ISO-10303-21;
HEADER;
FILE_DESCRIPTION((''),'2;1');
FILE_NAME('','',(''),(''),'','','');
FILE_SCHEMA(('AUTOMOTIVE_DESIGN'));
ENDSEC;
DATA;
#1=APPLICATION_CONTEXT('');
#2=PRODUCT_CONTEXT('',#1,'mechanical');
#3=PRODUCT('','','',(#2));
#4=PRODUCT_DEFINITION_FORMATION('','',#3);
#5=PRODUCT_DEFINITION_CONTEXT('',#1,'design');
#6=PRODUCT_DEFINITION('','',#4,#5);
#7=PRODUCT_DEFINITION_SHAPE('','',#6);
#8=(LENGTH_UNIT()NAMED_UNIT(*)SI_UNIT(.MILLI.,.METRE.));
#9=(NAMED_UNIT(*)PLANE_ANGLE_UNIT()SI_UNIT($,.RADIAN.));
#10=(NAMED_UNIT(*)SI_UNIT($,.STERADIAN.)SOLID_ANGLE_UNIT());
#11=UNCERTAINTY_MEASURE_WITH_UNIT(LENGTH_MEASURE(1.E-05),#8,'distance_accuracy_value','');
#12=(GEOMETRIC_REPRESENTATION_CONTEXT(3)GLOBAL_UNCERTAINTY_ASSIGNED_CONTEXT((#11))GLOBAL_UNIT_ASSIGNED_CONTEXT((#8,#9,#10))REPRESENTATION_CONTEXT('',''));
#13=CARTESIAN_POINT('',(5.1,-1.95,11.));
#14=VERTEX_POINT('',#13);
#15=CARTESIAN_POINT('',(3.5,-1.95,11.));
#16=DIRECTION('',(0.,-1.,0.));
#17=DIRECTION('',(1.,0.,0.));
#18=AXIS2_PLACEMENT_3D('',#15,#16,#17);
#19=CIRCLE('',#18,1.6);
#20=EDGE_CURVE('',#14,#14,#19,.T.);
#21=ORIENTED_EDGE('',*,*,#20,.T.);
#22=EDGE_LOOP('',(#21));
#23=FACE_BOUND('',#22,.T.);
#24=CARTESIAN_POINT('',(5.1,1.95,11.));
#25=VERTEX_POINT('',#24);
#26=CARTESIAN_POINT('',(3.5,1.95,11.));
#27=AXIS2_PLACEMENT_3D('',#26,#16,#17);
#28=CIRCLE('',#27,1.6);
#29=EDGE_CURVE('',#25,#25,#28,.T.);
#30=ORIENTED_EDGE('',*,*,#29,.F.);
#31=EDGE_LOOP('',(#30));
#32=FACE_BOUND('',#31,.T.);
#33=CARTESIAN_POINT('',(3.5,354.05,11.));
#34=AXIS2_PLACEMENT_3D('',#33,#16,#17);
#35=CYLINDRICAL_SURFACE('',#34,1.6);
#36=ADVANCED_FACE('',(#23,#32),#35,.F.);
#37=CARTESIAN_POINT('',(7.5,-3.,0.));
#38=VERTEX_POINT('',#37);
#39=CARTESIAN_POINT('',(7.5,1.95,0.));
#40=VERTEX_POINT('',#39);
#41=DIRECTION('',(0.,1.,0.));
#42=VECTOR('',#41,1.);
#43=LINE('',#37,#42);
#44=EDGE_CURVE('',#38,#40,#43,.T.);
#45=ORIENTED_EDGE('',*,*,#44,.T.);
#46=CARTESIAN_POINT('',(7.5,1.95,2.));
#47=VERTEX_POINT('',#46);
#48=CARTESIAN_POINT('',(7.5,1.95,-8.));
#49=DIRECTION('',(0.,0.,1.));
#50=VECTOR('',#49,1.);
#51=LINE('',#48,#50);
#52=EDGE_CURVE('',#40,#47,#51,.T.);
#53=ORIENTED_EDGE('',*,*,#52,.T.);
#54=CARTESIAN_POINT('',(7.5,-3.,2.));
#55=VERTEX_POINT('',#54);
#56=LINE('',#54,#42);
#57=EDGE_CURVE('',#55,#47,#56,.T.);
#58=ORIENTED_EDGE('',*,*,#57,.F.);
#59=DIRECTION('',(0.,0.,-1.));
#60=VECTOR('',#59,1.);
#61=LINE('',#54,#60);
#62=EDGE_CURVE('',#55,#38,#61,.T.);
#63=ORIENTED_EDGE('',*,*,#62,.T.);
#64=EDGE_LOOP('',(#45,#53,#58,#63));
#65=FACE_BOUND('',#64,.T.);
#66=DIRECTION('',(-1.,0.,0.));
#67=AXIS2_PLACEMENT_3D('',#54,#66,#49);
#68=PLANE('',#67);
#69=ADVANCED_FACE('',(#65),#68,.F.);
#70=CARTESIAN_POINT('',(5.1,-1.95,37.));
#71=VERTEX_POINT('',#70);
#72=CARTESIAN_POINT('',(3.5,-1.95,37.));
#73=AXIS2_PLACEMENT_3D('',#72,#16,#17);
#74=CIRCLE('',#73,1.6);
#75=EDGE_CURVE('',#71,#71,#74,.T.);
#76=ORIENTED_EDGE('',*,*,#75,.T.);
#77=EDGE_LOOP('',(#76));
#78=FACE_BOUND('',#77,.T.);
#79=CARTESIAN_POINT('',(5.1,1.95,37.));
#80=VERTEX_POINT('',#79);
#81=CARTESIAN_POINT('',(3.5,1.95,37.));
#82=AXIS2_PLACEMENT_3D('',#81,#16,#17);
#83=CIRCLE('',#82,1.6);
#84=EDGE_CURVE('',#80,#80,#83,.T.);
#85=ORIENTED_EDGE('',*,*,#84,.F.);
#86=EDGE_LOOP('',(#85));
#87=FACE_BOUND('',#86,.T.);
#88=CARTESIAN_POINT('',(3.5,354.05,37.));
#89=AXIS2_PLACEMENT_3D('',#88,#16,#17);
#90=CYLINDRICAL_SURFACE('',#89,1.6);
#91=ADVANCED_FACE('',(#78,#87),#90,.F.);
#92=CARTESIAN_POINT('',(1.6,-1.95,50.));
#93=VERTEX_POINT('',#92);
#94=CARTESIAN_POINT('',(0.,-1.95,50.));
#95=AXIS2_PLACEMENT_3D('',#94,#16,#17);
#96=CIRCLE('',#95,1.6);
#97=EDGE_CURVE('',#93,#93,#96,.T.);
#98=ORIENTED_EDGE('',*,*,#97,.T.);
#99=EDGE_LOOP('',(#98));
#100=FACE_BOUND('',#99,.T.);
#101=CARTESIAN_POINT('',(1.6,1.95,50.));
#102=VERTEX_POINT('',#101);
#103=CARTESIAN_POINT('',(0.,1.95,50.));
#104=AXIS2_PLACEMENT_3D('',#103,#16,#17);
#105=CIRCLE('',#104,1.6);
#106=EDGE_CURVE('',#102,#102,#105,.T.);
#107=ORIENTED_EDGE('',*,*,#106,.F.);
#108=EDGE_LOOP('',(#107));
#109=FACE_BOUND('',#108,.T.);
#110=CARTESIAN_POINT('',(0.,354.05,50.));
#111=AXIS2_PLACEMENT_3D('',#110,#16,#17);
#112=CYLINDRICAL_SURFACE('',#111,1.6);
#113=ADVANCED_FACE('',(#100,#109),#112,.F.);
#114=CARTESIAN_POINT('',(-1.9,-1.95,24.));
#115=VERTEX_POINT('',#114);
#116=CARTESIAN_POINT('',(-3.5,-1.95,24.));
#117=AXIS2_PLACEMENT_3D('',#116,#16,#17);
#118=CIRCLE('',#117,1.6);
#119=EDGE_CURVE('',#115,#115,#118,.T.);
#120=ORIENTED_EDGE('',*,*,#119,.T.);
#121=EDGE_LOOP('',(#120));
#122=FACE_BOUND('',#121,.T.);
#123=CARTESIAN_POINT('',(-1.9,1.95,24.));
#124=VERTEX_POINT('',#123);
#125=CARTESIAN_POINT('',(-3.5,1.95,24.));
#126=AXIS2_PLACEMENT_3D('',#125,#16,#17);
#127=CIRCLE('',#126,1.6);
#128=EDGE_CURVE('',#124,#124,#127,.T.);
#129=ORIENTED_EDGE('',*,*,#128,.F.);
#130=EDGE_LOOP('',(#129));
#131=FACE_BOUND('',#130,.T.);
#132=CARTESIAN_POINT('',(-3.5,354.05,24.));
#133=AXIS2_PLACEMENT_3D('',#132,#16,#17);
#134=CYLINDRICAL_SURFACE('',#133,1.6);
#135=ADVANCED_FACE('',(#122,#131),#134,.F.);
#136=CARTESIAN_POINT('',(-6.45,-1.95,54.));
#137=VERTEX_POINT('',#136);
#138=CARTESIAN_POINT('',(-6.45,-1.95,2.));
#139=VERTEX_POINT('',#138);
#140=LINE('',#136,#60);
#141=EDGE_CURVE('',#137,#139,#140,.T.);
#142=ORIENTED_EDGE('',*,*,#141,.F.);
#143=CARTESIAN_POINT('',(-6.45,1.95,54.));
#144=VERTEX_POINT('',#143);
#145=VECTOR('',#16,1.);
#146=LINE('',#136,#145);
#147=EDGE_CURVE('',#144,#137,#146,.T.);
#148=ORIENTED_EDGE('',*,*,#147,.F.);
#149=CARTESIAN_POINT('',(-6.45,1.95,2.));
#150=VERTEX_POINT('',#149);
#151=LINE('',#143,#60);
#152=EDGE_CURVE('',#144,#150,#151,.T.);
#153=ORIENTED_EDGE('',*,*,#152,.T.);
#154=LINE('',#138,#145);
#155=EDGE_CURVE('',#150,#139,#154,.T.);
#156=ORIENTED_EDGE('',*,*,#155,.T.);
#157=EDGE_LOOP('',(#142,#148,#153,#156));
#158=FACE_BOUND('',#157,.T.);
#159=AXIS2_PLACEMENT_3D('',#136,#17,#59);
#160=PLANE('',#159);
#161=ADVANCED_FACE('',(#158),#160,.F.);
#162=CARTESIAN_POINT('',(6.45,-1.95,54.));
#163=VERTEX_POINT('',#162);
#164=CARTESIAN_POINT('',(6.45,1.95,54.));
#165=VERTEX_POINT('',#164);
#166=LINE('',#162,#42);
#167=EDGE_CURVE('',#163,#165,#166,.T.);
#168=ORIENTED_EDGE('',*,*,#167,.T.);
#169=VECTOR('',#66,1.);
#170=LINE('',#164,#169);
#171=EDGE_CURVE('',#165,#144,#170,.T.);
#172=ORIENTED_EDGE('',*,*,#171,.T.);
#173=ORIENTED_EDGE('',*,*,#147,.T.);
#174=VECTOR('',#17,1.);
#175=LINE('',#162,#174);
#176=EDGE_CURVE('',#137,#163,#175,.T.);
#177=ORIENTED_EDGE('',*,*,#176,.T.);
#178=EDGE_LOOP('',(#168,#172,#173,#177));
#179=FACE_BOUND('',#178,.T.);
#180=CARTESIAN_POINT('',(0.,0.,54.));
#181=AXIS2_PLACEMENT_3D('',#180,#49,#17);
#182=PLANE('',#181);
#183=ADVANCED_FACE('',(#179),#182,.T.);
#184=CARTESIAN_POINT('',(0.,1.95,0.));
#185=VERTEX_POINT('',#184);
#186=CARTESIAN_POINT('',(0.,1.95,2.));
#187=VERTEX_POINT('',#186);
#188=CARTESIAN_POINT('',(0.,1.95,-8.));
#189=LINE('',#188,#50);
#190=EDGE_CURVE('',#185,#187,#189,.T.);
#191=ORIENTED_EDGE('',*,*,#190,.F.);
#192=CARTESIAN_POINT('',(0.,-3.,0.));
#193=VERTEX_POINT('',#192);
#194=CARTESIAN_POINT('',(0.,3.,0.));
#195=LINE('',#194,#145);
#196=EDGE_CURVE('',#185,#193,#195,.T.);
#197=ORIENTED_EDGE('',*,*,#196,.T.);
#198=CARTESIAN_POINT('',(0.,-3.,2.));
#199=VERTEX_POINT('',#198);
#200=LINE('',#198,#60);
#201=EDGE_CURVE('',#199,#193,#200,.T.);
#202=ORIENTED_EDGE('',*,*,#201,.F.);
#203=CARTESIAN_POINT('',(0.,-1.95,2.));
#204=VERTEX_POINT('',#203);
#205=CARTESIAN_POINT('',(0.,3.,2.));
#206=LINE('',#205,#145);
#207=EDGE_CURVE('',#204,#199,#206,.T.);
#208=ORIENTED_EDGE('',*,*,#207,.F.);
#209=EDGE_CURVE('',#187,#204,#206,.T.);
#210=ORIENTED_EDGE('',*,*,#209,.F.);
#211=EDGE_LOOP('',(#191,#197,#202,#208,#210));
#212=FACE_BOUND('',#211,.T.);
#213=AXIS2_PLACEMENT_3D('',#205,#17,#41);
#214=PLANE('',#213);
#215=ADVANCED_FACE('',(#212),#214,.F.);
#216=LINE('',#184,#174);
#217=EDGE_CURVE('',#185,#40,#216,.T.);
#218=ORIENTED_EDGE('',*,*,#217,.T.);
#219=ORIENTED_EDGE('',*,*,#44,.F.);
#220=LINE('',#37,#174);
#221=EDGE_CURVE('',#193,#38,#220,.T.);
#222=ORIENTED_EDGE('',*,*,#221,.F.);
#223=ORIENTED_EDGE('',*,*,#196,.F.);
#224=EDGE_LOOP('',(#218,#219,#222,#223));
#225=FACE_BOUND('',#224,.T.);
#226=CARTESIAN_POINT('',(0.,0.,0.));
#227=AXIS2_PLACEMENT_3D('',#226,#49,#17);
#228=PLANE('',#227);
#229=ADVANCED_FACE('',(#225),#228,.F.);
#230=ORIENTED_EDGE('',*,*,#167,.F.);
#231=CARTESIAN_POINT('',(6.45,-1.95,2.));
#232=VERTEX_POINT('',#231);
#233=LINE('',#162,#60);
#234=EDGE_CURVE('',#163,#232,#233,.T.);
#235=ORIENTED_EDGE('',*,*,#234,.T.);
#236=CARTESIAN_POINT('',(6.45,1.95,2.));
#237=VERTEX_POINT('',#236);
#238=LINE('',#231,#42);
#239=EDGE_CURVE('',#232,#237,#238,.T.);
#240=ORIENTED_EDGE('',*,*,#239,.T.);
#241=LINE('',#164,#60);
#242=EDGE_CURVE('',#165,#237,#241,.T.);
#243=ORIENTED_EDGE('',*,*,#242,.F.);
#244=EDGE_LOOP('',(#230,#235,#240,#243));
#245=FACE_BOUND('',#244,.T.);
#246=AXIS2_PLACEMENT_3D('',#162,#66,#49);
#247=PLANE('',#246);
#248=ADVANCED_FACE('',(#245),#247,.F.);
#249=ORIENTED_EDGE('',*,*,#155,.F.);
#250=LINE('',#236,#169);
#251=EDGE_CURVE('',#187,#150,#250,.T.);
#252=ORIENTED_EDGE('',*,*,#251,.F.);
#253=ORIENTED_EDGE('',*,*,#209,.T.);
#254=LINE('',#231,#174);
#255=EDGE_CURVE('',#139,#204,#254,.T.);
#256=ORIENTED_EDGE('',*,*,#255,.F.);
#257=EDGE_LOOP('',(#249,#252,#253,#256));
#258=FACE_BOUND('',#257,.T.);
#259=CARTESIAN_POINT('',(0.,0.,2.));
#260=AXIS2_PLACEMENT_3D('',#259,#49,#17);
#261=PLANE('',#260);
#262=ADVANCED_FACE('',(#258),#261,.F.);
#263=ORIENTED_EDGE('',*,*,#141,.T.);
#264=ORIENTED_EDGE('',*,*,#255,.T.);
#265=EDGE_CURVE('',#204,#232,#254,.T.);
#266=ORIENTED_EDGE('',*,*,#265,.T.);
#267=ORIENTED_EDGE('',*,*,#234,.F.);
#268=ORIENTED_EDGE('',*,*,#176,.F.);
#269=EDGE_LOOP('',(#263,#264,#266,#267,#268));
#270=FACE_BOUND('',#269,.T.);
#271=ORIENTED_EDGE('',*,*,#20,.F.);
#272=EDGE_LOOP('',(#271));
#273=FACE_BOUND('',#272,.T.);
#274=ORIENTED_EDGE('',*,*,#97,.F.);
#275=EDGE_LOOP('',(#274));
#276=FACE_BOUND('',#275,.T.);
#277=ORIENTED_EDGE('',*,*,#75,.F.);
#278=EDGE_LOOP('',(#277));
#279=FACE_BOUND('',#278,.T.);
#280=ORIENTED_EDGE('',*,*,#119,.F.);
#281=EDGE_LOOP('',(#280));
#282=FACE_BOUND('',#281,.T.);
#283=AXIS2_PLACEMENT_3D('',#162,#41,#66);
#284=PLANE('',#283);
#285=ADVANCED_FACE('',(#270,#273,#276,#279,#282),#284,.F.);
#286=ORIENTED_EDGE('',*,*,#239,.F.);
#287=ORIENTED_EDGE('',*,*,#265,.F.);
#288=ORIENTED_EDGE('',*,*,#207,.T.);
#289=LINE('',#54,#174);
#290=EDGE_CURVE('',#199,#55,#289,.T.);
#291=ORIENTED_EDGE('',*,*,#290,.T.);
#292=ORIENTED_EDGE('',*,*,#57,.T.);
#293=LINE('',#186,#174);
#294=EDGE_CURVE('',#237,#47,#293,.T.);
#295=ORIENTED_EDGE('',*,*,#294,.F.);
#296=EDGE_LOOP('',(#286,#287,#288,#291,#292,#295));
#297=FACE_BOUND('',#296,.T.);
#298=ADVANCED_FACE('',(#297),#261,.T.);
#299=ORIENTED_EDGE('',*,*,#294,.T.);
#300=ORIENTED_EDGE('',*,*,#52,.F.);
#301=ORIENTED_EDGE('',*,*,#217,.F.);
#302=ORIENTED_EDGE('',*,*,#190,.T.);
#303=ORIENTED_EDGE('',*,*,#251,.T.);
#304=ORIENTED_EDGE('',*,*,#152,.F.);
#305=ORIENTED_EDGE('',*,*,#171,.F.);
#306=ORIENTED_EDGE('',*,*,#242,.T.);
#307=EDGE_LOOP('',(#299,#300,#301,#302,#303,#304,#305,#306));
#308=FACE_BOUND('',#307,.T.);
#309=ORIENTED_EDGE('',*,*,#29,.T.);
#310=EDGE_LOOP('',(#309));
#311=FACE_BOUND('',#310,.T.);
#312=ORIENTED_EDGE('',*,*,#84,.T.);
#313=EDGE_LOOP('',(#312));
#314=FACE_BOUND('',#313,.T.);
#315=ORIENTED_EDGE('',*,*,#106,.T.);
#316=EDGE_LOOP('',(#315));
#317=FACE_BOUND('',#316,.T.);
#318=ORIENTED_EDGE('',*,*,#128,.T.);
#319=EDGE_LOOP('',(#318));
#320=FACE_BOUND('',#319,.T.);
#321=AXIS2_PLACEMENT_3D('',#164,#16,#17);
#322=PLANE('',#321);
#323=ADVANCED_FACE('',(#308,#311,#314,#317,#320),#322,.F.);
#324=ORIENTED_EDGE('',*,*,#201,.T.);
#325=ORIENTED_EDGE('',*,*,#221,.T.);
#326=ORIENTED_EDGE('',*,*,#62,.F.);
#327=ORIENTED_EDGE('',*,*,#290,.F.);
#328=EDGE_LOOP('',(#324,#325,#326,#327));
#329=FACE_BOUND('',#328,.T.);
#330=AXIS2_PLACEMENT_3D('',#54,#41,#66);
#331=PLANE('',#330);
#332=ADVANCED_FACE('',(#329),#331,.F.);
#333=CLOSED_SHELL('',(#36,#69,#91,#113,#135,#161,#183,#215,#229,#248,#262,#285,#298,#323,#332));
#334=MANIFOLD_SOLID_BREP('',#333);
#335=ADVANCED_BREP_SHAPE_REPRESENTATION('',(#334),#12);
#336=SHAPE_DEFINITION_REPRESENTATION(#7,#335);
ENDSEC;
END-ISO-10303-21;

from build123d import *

# Parameters (mm, degrees)
SKETCH_1_W          = 7.5
SKETCH_1_H          = 6
EXTRUDE_1_DEPTH     = 2
SKETCH_2_W          = 12.9
SKETCH_2_H          = 3.9
EXTRUDE_2_DEPTH     = 52
SKETCH_3_R          = 1.6
CUT_EXTRUDE_1_DEPTH = 356
SKETCH_4_W          = 7.5
SKETCH_4_H          = 1.05
CUT_EXTRUDE_2_DEPTH = 10


with BuildPart() as part:
    # 草图1 → 凸台-拉伸1 (new body)
    with BuildSketch(Plane.XY):
        with Locations((3.75, 0)):
            Rectangle(SKETCH_1_W, SKETCH_1_H)
    extrude(amount=EXTRUDE_1_DEPTH)

    # 草图2 → 凸台-拉伸2 (add)
    with BuildSketch(Plane.XY.offset(2)):
        Rectangle(SKETCH_2_W, SKETCH_2_H)
    extrude(amount=EXTRUDE_2_DEPTH)

    # 草图3 → 切除-拉伸1 (cut)
    with BuildSketch(Plane.XZ.offset(1.95)):
        with Locations((3.5, 37)):
            Circle(SKETCH_3_R)
        with Locations((3.5, 11)):
            Circle(SKETCH_3_R)
        with Locations((-3.5, 24)):
            Circle(SKETCH_3_R)
        with Locations((0, 50)):
            Circle(SKETCH_3_R)
    extrude(amount=-CUT_EXTRUDE_1_DEPTH, mode=Mode.SUBTRACT)

    # 草图4 → 切除-拉伸2 (cut)
    with BuildSketch(Plane.XY.offset(2)):
        with Locations((3.75, 2.475)):
            Rectangle(SKETCH_4_W, SKETCH_4_H)
    extrude(amount=-CUT_EXTRUDE_2_DEPTH, mode=Mode.SUBTRACT)


solid = part.part
